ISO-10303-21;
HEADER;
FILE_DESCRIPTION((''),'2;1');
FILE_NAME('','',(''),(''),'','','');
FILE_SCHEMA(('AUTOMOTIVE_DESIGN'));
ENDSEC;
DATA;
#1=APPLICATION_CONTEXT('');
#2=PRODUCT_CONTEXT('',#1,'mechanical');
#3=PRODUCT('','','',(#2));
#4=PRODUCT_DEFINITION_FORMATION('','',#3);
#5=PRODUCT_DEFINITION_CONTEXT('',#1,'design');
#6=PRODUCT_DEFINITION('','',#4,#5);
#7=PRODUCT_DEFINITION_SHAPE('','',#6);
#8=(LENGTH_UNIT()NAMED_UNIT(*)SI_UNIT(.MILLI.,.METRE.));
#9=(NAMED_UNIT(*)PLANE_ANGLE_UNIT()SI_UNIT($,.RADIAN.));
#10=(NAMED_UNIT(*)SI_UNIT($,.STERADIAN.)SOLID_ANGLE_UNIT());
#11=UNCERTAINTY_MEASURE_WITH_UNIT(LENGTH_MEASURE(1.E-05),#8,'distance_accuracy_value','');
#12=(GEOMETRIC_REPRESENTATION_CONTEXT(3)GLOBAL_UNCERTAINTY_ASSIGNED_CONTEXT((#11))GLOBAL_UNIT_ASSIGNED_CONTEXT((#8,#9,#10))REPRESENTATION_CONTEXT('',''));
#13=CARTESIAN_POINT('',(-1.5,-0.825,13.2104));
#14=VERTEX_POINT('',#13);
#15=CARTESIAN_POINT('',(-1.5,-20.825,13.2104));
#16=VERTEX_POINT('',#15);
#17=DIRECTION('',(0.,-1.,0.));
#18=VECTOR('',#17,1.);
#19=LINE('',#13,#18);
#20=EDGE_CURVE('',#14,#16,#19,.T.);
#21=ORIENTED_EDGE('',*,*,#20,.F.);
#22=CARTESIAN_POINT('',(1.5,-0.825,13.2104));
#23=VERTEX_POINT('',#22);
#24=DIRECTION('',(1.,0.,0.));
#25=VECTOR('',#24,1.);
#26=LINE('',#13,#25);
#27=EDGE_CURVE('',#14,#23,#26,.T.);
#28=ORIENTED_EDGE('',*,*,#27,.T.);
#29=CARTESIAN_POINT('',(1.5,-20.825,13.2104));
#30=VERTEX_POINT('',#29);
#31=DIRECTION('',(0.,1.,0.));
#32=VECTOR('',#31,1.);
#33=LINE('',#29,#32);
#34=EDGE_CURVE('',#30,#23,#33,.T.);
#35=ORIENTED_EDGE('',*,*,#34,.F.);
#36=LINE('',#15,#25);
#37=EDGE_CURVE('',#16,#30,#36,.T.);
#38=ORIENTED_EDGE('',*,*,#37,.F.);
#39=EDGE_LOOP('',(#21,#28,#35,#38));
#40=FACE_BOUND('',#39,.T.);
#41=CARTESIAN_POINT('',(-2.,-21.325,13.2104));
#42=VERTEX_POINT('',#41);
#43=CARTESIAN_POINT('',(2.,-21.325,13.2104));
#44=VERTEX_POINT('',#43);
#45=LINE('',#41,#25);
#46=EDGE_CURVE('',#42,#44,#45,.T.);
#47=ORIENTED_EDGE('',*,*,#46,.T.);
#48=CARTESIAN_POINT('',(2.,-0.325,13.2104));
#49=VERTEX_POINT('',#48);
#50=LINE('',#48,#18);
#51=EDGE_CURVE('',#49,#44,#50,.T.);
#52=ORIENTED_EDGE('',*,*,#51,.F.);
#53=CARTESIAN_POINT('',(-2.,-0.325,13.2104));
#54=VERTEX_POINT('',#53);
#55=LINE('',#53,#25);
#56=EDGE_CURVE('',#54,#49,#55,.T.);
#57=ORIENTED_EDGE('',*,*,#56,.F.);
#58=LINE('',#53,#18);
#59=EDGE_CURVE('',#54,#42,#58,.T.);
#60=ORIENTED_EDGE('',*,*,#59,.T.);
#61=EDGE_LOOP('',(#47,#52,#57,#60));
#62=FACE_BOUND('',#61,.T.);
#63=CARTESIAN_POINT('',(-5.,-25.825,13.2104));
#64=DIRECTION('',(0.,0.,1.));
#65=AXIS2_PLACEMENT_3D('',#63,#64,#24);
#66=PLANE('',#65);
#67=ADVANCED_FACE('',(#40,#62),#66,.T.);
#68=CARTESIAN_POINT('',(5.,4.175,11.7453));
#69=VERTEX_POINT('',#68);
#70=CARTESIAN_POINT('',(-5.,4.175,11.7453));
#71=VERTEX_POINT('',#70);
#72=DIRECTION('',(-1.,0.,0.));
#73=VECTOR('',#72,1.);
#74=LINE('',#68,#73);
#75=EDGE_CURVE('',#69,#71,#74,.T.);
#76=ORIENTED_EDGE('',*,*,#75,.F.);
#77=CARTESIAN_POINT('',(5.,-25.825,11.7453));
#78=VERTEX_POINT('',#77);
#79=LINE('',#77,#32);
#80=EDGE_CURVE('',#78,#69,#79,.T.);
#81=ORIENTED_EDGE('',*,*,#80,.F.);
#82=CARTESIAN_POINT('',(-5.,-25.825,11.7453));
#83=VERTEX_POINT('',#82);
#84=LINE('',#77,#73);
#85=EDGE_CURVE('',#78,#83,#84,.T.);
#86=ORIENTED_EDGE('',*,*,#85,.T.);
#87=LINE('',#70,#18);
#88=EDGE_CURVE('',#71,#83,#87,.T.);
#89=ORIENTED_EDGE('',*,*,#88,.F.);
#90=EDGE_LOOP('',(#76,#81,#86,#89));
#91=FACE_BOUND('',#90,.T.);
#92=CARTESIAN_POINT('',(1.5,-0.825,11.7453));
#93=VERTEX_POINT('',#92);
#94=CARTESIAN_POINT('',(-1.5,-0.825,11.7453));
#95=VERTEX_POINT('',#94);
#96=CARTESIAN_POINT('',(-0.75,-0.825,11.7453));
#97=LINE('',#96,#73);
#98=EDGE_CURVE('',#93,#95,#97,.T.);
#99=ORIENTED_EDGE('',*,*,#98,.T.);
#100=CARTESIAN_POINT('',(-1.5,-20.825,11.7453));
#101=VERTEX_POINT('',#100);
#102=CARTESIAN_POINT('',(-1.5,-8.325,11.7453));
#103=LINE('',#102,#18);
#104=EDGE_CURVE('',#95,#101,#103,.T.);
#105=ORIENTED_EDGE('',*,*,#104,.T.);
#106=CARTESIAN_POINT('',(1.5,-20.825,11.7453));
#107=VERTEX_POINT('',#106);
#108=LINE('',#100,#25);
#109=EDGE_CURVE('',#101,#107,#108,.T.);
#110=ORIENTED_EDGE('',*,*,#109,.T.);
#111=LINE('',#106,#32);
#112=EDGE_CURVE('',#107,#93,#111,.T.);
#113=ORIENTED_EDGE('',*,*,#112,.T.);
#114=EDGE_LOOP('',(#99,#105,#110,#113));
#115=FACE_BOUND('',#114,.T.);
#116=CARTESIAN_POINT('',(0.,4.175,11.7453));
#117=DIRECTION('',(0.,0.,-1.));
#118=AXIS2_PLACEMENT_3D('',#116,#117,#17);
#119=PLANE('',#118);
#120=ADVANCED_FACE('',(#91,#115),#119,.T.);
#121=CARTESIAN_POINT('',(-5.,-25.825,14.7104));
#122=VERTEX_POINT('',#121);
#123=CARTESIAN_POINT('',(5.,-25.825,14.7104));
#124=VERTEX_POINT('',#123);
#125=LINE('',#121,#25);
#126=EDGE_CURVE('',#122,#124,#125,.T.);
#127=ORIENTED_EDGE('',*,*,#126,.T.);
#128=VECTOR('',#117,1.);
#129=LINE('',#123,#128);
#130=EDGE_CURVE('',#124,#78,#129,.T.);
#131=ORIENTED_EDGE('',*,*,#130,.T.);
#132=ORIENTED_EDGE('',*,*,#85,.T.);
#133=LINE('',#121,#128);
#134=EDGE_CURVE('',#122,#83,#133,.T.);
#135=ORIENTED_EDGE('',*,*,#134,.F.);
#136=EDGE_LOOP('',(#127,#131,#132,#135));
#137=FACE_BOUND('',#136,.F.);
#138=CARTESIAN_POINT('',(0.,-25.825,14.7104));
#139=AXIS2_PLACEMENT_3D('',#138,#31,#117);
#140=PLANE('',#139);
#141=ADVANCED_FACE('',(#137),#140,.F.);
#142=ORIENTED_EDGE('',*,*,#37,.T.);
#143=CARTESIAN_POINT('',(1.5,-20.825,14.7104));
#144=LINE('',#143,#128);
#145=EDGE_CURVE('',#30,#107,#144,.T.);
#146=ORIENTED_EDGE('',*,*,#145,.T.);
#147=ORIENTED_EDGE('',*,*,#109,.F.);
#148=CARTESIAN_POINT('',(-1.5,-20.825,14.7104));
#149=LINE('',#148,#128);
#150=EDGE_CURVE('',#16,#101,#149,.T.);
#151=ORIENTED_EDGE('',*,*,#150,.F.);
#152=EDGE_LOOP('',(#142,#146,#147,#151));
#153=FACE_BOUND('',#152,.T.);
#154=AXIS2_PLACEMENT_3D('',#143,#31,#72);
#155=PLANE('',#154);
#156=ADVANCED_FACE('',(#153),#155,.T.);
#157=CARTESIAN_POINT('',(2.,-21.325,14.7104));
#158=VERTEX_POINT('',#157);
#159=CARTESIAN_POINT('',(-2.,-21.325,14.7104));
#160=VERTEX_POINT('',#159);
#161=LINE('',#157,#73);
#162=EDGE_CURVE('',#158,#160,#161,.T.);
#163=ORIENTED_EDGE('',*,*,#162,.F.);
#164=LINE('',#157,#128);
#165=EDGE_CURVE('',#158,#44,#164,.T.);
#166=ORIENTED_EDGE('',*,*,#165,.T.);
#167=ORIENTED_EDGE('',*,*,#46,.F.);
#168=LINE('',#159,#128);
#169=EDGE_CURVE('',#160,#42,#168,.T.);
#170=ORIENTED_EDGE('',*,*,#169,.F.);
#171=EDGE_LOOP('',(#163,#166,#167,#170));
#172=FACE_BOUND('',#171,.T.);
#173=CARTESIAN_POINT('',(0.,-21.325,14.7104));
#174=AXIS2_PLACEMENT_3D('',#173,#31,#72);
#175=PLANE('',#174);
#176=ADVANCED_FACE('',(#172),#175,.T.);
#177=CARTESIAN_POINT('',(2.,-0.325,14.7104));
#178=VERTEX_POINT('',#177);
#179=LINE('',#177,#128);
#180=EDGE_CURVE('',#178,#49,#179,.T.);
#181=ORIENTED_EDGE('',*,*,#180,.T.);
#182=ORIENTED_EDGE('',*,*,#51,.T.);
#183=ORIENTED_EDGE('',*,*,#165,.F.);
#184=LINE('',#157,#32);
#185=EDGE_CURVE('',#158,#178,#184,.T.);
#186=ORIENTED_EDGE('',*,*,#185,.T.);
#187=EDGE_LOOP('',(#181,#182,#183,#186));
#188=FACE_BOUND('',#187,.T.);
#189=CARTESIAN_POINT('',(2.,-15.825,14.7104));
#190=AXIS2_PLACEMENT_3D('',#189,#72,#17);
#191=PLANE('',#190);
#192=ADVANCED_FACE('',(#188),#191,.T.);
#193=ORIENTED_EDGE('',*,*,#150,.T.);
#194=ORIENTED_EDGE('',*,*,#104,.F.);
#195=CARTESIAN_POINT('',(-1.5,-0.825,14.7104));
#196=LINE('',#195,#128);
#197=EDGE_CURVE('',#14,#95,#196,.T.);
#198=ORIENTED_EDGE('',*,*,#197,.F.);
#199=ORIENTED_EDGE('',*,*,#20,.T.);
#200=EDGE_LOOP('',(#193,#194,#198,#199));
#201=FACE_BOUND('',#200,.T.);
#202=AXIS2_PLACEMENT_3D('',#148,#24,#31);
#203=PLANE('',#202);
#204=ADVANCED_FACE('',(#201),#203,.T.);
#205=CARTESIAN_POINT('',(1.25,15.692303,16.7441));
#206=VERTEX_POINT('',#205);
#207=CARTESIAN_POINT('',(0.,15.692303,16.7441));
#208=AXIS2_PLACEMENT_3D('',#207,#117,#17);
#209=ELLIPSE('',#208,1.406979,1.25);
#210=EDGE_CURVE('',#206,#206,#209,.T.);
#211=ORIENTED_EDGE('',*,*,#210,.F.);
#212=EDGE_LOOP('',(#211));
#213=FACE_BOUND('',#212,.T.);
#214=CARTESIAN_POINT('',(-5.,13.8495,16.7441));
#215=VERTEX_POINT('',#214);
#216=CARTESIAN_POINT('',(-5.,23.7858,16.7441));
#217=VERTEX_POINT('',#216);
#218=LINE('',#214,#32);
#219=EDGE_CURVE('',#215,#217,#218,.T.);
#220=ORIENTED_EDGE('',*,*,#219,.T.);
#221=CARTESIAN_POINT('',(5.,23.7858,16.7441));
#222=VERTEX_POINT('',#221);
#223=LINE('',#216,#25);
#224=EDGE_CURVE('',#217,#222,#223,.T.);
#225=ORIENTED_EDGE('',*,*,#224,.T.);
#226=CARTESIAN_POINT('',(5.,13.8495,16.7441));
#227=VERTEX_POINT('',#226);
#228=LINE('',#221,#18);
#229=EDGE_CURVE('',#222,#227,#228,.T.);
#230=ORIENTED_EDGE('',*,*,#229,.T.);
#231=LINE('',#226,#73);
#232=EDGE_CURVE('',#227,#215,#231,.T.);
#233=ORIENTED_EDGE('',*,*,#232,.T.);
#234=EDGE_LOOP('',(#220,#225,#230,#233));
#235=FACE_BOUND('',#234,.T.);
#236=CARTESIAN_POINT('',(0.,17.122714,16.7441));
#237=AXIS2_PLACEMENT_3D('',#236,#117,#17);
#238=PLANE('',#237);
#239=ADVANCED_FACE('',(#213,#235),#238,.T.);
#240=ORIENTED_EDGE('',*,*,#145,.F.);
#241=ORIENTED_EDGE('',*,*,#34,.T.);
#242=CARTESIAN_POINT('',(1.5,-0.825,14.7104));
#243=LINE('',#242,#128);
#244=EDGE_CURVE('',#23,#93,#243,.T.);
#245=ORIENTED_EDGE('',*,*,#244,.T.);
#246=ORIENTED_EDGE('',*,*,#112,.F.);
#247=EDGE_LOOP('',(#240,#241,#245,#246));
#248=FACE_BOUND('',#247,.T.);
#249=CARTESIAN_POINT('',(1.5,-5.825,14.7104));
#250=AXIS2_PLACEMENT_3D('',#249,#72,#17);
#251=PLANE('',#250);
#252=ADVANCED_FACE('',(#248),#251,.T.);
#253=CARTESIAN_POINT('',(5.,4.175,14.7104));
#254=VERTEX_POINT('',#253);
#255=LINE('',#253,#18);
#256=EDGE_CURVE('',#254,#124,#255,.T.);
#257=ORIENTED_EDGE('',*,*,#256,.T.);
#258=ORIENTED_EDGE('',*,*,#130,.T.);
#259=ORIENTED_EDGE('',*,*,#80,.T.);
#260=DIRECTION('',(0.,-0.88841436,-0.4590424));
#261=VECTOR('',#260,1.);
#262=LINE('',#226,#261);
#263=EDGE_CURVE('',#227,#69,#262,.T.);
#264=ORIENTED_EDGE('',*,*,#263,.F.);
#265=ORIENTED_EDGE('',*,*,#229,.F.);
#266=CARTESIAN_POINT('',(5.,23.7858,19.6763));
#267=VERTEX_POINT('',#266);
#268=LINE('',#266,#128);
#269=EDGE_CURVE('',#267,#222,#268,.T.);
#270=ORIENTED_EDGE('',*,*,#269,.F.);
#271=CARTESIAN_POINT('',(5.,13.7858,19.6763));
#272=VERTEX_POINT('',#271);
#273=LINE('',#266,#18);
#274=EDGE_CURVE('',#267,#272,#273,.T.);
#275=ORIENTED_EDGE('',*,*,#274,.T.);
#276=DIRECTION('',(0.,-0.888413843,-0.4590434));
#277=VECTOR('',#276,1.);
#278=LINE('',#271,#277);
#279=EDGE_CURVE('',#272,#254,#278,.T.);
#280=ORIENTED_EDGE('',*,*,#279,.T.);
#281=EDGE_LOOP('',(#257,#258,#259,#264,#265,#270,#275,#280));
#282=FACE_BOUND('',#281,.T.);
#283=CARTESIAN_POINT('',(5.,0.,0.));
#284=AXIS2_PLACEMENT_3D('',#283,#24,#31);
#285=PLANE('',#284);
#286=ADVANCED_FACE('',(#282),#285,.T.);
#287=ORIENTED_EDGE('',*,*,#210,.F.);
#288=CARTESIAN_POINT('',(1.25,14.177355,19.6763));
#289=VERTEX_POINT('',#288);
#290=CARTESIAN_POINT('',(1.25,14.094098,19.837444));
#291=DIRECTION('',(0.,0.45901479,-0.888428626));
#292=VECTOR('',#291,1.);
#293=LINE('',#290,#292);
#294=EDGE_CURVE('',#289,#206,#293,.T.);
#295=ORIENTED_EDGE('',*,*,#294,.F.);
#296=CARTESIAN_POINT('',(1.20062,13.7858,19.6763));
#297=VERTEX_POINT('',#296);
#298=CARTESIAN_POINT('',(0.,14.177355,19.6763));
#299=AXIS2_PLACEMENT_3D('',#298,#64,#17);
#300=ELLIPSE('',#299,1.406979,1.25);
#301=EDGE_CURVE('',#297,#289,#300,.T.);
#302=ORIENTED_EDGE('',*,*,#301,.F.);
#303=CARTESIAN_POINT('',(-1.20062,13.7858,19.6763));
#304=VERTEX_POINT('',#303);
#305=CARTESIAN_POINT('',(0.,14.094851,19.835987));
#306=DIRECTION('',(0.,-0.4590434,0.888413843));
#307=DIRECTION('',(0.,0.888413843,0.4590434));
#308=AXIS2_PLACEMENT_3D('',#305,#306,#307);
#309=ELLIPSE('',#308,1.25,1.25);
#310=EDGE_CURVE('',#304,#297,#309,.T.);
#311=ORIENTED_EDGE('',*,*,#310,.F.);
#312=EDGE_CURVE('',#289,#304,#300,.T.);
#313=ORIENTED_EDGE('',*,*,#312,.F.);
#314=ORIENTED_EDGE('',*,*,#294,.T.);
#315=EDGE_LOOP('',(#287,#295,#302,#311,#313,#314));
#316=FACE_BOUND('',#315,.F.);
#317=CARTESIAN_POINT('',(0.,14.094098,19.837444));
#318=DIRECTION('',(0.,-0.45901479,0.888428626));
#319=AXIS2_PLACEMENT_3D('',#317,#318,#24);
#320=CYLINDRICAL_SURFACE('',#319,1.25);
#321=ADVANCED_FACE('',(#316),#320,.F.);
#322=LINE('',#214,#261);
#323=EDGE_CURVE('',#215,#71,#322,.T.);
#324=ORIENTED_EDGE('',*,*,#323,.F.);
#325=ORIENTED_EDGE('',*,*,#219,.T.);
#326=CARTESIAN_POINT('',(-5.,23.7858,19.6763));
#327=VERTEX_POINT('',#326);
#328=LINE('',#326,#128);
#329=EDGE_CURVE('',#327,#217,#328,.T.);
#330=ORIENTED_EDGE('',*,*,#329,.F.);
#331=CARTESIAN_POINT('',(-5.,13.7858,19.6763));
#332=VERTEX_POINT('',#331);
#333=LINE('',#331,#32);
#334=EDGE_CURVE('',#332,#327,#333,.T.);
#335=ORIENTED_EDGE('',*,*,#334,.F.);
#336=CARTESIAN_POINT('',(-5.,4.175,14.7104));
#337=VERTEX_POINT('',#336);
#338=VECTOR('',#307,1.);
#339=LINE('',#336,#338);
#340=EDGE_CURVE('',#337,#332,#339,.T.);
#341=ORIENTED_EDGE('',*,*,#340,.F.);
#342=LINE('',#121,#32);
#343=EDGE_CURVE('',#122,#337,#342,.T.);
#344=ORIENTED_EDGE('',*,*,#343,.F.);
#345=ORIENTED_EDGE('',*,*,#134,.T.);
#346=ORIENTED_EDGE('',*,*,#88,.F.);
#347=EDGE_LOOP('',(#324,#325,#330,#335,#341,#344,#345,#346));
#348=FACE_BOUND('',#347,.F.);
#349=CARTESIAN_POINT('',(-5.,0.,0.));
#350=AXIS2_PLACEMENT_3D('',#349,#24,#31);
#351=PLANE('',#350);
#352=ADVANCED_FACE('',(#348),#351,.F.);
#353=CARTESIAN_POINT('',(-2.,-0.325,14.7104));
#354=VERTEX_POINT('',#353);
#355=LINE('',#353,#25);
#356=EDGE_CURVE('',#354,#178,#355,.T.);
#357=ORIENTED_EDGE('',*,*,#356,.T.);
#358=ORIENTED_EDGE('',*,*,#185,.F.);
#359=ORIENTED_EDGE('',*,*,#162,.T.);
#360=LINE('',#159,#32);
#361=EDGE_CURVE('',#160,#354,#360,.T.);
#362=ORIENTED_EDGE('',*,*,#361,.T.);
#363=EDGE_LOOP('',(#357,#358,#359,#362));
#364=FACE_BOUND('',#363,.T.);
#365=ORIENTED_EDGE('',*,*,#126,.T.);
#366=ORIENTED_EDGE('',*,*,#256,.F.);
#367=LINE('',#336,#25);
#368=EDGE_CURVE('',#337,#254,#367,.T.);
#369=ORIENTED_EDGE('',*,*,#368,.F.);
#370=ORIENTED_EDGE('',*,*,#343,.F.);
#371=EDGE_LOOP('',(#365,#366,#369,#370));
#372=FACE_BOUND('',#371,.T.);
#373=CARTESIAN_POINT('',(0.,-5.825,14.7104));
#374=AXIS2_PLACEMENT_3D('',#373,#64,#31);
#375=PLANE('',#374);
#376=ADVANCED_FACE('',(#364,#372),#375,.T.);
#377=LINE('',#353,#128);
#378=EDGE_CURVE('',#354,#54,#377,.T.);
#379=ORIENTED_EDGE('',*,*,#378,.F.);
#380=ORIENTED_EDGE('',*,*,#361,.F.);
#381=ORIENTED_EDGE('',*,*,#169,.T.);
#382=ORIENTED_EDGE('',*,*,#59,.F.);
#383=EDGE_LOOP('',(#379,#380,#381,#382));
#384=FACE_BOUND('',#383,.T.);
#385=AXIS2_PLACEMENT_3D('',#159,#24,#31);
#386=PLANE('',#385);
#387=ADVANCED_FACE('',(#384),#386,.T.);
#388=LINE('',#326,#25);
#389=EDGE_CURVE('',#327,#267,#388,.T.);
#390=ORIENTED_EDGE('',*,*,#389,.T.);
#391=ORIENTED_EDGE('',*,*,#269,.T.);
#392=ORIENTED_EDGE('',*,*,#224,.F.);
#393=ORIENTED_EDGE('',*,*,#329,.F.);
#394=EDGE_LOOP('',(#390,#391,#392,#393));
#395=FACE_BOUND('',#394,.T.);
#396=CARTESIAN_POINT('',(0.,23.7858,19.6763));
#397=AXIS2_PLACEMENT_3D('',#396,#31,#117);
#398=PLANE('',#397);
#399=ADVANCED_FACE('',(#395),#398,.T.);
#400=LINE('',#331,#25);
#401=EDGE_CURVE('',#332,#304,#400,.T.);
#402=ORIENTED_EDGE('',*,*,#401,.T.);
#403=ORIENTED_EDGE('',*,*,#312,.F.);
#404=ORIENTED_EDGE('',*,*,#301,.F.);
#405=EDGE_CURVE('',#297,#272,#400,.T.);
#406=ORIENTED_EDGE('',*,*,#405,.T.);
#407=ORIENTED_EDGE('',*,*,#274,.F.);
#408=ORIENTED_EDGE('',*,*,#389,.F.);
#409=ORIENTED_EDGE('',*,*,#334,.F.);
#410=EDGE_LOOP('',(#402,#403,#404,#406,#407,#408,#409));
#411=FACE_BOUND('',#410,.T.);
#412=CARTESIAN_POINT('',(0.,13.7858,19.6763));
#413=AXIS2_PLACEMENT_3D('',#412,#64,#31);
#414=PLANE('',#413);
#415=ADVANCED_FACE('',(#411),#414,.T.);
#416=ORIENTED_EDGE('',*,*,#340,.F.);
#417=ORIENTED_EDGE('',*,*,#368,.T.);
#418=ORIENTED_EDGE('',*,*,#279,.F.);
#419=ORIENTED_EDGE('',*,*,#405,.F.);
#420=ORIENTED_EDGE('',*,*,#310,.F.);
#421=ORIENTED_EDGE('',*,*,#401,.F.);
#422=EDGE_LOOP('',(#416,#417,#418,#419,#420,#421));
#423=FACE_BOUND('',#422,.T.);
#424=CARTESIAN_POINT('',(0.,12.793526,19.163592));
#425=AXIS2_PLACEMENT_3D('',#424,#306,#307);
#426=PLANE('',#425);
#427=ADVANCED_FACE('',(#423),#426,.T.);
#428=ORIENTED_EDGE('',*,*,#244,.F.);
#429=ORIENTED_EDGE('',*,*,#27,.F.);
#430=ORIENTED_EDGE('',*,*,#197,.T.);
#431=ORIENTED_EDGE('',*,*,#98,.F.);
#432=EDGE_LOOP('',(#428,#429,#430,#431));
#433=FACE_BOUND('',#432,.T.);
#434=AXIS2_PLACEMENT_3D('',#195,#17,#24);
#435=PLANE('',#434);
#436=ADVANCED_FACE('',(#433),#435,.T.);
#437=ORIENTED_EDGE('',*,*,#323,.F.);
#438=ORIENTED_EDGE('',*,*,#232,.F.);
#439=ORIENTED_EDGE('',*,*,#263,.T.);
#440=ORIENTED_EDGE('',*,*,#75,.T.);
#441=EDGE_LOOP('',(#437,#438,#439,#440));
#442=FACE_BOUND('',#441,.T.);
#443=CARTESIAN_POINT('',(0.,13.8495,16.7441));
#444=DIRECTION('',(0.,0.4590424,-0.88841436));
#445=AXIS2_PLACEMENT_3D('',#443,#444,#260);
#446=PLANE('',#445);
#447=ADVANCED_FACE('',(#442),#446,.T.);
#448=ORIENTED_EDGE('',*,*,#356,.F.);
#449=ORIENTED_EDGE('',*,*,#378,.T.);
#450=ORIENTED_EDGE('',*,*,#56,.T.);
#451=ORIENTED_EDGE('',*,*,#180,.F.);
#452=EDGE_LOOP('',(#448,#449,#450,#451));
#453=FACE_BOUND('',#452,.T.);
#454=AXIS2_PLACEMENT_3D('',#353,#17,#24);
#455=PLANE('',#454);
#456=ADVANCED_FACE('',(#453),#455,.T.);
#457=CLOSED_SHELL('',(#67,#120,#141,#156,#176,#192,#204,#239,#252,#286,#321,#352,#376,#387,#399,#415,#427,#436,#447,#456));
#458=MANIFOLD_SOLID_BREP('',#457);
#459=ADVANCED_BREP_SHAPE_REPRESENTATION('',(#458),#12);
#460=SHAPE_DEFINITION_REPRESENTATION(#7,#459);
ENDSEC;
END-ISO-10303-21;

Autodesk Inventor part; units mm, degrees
ref_plane "YZ Plane" through (0, 0, 0) normal (1, 0, 0) x (0, 1, 0)
ref_plane "XZ Plane" through (0, 0, 0) normal (0, 1, 0) x (-1, 0, 0)
ref_plane "XY Plane" through (0, 0, 0) normal (0, 0, 1) x (1, 0, 0)
sketch "Эскиз1" plane through (0, 0, 0) normal (1, 0, 0) x (0, 1, 0)
  line L0 (13.9581, 11.7453) -> (25.9581, 11.7453)
  line L1 (25.9581, 11.7453) -> (25.9581, 13.7453)
  line L2 (25.9581, 13.7453) -> (13.9581, 13.7453)
  line L3 (13.9581, 13.7453) -> (13.9581, 11.7453)
  line L4 (13.9581, 11.7453) -> (13.9581, -21.2547)
  line L5 (13.9581, -21.2547) -> (25.9581, -21.2547)
  line L6 (25.9581, -21.2547) -> (25.9581, 11.7453)
  line L7 (13.9581, 11.7453) -> (13.9581, 7.7453)
  line L8 (13.9581, 7.7453) -> (25.9581, 7.7453)
  line L9 (-6.8518, -18.2547) -> (-6.8518, 11.7453)
  line L10 (-6.8518, 11.7453) -> (-15.825, 11.7453)
  line L11 (-15.825, 11.7453) -> (-15.825, 14.7104)
  line L12 (-15.825, 14.7104) -> (-5.825, 14.7104)
  line L13 (-5.825, 14.7104) -> (-5.825, 11.7453)
  line L14 (-15.825, 14.7104) -> (-25.825, 14.7104)
  line L15 (-25.825, 14.7104) -> (-25.825, 11.7453)
  line L16 (-15.825, 11.7453) -> (-25.825, 11.7453)
  line L17 (-5.825, 14.7104) -> (4.175, 14.7104)
  line L18 (4.175, 14.7104) -> (4.175, 11.7453)
  line L19 (13.9581, 7.7453) -> (23.1232, 11.7453)
  line L20 (23.1232, 11.7453) -> (18.5407, 9.7453)
  line L21 (18.5407, 9.7453) -> (19.9154, 10.3453)
  line L22 (18.5407, 9.7453) -> (17.1659, 9.1453)
  line L23 (19.9154, 10.3453) -> (15.1154, 21.3434)
  line L24 (17.1659, 9.1453) -> (12.3659, 20.1434)
  line L25 (12.3659, 20.1434) -> (15.1154, 21.3434)
  line L26 (13.9581, 11.7453) -> (13.8495, 16.7441)
  line L27 (13.8495, 16.7441) -> (4.175, 11.7453)
  line L28 (4.175, 14.7104) -> (13.7858, 19.6763)
  line L29 (13.7858, 19.6763) -> (23.7858, 19.6763)
  line L30 (23.7858, 19.6763) -> (23.7858, 16.7441)
  line L31 (23.7858, 16.7441) -> (13.8495, 16.7441)
  line L32 (4.175, 11.7453) -> (-5.825, 11.7453)
  line L33 (-5.825, 11.7453) -> (-6.8518, 11.7453)
  point P0 (0, 0)
  dimension "d0" = 12
  dimension "d1" = 2
  dimension "d2" = 33
  dimension "d3" = 4
  dimension "d4" = 10
  dimension "d5" = 10
  dimension "d6" = 10
  dimension "d7" = 10
  dimension "d8" = 1.5
  dimension "d9" = 1.5
  dimension "d10" = 12
  dimension "d11" = 12
  dimension "d12" = 5
  dimension "d13" = 10
extrude "Выдавливание1" add sketch "Эскиз1" along normal blind 5 and the other way blind 5 contours L31 L24 L28 L29 L23 | L23 L29 L30 L31 | L27 L18 L28 L24 | L32 L13 L17 L18 | L33 L10 L11 L12 L13 | L11 L16 L15 L14
sketch "Эскиз2" plane through (-5, 4.175, 14.7104) normal (0, -0.459, 0.8884) x (1, 0, 0)
  line L0 (5, 9.6975) -> (5, 12.6658)
  line L1 (5, 12.6658) -> (5, 11.1658)
  circle A0 centre (5, 11.1658) radius 1.25
  point P0 (5, -10.4618)
  dimension "d18" = 1.5
  dimension "d19" = 2.5
sketch "Эскиз3" plane through (-5, -25.825, 14.7104) normal (0, 0, 1) x (1, 0, 0)
  line L0 (0, 0) -> (10, 0) projected
  line L1 (5, 0) -> (5, 10)
  line L2 (5, 10) -> (0, 10)
  line L3 (0, 10) -> (0, 20)
  line L4 (0, 20) -> (10, 20)
  line L5 (10, 20) -> (10, 10)
  line L6 (10, 30) -> (10, 0) projected
  line L7 (5, 10) -> (10, 10)
  line L8 (5, 10) -> (3.5, 10)
  line L9 (3.5, 10) -> (3.5, 20)
  line L10 (3.5, 20) -> (3.5, 25)
  line L11 (3.5, 25) -> (6.5, 25)
  line L12 (6.5, 25) -> (6.5, 5)
  line L13 (6.5, 5) -> (3.5, 5)
  line L14 (3.5, 5) -> (3.5, 10)
  line L15 (5, 10) -> (7, 10)
  line L16 (7, 10) -> (7, 4.5)
  line L17 (7, 4.5) -> (3, 4.5)
  line L18 (3, 4.5) -> (3, 25.5)
  line L19 (3, 25.5) -> (7, 25.5)
  line L20 (7, 25.5) -> (7, 10)
  line L21 (7, 10) -> (7, 4.5)
  line L22 (7, 4.5) -> (5, 4.5)
  line L23 (5, 4.5) -> (5, 10)
  line L24 (6.5, 10) -> (5, 10)
  line L25 (5, 10) -> (5, 5)
  line L26 (5, 5) -> (6.5, 5)
  line L27 (6.5, 5) -> (6.5, 10)
  point P0 (5, 25.825)
  point P1 (5, 5)
  point P2 (5, 5)
  dimension "d22" = 10
  dimension "d23" = 10
  dimension "d24" = 1.5
  dimension "d25" = 5
  dimension "d26" = 3
  dimension "d27" = 20
  dimension "d28" = 2
  dimension "d29" = 5.5
  dimension "d30" = 4
  dimension "d31" = 21
extrude "Выдавливание3" cut sketch "Эскиз3" against normal blind 5 contours L13 L14 L2 L1 | L2 L9 L4 L12 L7 | L4 L10 L11 L12
extrude "Выдавливание4" cut sketch "Эскиз3" against normal blind 1.5 contours L17 L18 L2 L14 L13 L1 | L1 L13 L12 L7 L16 L17 | L1 L7 L12 L13 | L7 L12 L4 L20 | L18 L4 L9 L2 | L4 L12 L11 L10 L18 L19 L20
extrude "Выдавливание5" cut sketch "Эскиз3" against normal blind 3 contours L1 L7 L12 L13
extrude "Выдавливание6" cut sketch "Эскиз2" against normal blind 10
properties part number "micro_wheel_mount"
